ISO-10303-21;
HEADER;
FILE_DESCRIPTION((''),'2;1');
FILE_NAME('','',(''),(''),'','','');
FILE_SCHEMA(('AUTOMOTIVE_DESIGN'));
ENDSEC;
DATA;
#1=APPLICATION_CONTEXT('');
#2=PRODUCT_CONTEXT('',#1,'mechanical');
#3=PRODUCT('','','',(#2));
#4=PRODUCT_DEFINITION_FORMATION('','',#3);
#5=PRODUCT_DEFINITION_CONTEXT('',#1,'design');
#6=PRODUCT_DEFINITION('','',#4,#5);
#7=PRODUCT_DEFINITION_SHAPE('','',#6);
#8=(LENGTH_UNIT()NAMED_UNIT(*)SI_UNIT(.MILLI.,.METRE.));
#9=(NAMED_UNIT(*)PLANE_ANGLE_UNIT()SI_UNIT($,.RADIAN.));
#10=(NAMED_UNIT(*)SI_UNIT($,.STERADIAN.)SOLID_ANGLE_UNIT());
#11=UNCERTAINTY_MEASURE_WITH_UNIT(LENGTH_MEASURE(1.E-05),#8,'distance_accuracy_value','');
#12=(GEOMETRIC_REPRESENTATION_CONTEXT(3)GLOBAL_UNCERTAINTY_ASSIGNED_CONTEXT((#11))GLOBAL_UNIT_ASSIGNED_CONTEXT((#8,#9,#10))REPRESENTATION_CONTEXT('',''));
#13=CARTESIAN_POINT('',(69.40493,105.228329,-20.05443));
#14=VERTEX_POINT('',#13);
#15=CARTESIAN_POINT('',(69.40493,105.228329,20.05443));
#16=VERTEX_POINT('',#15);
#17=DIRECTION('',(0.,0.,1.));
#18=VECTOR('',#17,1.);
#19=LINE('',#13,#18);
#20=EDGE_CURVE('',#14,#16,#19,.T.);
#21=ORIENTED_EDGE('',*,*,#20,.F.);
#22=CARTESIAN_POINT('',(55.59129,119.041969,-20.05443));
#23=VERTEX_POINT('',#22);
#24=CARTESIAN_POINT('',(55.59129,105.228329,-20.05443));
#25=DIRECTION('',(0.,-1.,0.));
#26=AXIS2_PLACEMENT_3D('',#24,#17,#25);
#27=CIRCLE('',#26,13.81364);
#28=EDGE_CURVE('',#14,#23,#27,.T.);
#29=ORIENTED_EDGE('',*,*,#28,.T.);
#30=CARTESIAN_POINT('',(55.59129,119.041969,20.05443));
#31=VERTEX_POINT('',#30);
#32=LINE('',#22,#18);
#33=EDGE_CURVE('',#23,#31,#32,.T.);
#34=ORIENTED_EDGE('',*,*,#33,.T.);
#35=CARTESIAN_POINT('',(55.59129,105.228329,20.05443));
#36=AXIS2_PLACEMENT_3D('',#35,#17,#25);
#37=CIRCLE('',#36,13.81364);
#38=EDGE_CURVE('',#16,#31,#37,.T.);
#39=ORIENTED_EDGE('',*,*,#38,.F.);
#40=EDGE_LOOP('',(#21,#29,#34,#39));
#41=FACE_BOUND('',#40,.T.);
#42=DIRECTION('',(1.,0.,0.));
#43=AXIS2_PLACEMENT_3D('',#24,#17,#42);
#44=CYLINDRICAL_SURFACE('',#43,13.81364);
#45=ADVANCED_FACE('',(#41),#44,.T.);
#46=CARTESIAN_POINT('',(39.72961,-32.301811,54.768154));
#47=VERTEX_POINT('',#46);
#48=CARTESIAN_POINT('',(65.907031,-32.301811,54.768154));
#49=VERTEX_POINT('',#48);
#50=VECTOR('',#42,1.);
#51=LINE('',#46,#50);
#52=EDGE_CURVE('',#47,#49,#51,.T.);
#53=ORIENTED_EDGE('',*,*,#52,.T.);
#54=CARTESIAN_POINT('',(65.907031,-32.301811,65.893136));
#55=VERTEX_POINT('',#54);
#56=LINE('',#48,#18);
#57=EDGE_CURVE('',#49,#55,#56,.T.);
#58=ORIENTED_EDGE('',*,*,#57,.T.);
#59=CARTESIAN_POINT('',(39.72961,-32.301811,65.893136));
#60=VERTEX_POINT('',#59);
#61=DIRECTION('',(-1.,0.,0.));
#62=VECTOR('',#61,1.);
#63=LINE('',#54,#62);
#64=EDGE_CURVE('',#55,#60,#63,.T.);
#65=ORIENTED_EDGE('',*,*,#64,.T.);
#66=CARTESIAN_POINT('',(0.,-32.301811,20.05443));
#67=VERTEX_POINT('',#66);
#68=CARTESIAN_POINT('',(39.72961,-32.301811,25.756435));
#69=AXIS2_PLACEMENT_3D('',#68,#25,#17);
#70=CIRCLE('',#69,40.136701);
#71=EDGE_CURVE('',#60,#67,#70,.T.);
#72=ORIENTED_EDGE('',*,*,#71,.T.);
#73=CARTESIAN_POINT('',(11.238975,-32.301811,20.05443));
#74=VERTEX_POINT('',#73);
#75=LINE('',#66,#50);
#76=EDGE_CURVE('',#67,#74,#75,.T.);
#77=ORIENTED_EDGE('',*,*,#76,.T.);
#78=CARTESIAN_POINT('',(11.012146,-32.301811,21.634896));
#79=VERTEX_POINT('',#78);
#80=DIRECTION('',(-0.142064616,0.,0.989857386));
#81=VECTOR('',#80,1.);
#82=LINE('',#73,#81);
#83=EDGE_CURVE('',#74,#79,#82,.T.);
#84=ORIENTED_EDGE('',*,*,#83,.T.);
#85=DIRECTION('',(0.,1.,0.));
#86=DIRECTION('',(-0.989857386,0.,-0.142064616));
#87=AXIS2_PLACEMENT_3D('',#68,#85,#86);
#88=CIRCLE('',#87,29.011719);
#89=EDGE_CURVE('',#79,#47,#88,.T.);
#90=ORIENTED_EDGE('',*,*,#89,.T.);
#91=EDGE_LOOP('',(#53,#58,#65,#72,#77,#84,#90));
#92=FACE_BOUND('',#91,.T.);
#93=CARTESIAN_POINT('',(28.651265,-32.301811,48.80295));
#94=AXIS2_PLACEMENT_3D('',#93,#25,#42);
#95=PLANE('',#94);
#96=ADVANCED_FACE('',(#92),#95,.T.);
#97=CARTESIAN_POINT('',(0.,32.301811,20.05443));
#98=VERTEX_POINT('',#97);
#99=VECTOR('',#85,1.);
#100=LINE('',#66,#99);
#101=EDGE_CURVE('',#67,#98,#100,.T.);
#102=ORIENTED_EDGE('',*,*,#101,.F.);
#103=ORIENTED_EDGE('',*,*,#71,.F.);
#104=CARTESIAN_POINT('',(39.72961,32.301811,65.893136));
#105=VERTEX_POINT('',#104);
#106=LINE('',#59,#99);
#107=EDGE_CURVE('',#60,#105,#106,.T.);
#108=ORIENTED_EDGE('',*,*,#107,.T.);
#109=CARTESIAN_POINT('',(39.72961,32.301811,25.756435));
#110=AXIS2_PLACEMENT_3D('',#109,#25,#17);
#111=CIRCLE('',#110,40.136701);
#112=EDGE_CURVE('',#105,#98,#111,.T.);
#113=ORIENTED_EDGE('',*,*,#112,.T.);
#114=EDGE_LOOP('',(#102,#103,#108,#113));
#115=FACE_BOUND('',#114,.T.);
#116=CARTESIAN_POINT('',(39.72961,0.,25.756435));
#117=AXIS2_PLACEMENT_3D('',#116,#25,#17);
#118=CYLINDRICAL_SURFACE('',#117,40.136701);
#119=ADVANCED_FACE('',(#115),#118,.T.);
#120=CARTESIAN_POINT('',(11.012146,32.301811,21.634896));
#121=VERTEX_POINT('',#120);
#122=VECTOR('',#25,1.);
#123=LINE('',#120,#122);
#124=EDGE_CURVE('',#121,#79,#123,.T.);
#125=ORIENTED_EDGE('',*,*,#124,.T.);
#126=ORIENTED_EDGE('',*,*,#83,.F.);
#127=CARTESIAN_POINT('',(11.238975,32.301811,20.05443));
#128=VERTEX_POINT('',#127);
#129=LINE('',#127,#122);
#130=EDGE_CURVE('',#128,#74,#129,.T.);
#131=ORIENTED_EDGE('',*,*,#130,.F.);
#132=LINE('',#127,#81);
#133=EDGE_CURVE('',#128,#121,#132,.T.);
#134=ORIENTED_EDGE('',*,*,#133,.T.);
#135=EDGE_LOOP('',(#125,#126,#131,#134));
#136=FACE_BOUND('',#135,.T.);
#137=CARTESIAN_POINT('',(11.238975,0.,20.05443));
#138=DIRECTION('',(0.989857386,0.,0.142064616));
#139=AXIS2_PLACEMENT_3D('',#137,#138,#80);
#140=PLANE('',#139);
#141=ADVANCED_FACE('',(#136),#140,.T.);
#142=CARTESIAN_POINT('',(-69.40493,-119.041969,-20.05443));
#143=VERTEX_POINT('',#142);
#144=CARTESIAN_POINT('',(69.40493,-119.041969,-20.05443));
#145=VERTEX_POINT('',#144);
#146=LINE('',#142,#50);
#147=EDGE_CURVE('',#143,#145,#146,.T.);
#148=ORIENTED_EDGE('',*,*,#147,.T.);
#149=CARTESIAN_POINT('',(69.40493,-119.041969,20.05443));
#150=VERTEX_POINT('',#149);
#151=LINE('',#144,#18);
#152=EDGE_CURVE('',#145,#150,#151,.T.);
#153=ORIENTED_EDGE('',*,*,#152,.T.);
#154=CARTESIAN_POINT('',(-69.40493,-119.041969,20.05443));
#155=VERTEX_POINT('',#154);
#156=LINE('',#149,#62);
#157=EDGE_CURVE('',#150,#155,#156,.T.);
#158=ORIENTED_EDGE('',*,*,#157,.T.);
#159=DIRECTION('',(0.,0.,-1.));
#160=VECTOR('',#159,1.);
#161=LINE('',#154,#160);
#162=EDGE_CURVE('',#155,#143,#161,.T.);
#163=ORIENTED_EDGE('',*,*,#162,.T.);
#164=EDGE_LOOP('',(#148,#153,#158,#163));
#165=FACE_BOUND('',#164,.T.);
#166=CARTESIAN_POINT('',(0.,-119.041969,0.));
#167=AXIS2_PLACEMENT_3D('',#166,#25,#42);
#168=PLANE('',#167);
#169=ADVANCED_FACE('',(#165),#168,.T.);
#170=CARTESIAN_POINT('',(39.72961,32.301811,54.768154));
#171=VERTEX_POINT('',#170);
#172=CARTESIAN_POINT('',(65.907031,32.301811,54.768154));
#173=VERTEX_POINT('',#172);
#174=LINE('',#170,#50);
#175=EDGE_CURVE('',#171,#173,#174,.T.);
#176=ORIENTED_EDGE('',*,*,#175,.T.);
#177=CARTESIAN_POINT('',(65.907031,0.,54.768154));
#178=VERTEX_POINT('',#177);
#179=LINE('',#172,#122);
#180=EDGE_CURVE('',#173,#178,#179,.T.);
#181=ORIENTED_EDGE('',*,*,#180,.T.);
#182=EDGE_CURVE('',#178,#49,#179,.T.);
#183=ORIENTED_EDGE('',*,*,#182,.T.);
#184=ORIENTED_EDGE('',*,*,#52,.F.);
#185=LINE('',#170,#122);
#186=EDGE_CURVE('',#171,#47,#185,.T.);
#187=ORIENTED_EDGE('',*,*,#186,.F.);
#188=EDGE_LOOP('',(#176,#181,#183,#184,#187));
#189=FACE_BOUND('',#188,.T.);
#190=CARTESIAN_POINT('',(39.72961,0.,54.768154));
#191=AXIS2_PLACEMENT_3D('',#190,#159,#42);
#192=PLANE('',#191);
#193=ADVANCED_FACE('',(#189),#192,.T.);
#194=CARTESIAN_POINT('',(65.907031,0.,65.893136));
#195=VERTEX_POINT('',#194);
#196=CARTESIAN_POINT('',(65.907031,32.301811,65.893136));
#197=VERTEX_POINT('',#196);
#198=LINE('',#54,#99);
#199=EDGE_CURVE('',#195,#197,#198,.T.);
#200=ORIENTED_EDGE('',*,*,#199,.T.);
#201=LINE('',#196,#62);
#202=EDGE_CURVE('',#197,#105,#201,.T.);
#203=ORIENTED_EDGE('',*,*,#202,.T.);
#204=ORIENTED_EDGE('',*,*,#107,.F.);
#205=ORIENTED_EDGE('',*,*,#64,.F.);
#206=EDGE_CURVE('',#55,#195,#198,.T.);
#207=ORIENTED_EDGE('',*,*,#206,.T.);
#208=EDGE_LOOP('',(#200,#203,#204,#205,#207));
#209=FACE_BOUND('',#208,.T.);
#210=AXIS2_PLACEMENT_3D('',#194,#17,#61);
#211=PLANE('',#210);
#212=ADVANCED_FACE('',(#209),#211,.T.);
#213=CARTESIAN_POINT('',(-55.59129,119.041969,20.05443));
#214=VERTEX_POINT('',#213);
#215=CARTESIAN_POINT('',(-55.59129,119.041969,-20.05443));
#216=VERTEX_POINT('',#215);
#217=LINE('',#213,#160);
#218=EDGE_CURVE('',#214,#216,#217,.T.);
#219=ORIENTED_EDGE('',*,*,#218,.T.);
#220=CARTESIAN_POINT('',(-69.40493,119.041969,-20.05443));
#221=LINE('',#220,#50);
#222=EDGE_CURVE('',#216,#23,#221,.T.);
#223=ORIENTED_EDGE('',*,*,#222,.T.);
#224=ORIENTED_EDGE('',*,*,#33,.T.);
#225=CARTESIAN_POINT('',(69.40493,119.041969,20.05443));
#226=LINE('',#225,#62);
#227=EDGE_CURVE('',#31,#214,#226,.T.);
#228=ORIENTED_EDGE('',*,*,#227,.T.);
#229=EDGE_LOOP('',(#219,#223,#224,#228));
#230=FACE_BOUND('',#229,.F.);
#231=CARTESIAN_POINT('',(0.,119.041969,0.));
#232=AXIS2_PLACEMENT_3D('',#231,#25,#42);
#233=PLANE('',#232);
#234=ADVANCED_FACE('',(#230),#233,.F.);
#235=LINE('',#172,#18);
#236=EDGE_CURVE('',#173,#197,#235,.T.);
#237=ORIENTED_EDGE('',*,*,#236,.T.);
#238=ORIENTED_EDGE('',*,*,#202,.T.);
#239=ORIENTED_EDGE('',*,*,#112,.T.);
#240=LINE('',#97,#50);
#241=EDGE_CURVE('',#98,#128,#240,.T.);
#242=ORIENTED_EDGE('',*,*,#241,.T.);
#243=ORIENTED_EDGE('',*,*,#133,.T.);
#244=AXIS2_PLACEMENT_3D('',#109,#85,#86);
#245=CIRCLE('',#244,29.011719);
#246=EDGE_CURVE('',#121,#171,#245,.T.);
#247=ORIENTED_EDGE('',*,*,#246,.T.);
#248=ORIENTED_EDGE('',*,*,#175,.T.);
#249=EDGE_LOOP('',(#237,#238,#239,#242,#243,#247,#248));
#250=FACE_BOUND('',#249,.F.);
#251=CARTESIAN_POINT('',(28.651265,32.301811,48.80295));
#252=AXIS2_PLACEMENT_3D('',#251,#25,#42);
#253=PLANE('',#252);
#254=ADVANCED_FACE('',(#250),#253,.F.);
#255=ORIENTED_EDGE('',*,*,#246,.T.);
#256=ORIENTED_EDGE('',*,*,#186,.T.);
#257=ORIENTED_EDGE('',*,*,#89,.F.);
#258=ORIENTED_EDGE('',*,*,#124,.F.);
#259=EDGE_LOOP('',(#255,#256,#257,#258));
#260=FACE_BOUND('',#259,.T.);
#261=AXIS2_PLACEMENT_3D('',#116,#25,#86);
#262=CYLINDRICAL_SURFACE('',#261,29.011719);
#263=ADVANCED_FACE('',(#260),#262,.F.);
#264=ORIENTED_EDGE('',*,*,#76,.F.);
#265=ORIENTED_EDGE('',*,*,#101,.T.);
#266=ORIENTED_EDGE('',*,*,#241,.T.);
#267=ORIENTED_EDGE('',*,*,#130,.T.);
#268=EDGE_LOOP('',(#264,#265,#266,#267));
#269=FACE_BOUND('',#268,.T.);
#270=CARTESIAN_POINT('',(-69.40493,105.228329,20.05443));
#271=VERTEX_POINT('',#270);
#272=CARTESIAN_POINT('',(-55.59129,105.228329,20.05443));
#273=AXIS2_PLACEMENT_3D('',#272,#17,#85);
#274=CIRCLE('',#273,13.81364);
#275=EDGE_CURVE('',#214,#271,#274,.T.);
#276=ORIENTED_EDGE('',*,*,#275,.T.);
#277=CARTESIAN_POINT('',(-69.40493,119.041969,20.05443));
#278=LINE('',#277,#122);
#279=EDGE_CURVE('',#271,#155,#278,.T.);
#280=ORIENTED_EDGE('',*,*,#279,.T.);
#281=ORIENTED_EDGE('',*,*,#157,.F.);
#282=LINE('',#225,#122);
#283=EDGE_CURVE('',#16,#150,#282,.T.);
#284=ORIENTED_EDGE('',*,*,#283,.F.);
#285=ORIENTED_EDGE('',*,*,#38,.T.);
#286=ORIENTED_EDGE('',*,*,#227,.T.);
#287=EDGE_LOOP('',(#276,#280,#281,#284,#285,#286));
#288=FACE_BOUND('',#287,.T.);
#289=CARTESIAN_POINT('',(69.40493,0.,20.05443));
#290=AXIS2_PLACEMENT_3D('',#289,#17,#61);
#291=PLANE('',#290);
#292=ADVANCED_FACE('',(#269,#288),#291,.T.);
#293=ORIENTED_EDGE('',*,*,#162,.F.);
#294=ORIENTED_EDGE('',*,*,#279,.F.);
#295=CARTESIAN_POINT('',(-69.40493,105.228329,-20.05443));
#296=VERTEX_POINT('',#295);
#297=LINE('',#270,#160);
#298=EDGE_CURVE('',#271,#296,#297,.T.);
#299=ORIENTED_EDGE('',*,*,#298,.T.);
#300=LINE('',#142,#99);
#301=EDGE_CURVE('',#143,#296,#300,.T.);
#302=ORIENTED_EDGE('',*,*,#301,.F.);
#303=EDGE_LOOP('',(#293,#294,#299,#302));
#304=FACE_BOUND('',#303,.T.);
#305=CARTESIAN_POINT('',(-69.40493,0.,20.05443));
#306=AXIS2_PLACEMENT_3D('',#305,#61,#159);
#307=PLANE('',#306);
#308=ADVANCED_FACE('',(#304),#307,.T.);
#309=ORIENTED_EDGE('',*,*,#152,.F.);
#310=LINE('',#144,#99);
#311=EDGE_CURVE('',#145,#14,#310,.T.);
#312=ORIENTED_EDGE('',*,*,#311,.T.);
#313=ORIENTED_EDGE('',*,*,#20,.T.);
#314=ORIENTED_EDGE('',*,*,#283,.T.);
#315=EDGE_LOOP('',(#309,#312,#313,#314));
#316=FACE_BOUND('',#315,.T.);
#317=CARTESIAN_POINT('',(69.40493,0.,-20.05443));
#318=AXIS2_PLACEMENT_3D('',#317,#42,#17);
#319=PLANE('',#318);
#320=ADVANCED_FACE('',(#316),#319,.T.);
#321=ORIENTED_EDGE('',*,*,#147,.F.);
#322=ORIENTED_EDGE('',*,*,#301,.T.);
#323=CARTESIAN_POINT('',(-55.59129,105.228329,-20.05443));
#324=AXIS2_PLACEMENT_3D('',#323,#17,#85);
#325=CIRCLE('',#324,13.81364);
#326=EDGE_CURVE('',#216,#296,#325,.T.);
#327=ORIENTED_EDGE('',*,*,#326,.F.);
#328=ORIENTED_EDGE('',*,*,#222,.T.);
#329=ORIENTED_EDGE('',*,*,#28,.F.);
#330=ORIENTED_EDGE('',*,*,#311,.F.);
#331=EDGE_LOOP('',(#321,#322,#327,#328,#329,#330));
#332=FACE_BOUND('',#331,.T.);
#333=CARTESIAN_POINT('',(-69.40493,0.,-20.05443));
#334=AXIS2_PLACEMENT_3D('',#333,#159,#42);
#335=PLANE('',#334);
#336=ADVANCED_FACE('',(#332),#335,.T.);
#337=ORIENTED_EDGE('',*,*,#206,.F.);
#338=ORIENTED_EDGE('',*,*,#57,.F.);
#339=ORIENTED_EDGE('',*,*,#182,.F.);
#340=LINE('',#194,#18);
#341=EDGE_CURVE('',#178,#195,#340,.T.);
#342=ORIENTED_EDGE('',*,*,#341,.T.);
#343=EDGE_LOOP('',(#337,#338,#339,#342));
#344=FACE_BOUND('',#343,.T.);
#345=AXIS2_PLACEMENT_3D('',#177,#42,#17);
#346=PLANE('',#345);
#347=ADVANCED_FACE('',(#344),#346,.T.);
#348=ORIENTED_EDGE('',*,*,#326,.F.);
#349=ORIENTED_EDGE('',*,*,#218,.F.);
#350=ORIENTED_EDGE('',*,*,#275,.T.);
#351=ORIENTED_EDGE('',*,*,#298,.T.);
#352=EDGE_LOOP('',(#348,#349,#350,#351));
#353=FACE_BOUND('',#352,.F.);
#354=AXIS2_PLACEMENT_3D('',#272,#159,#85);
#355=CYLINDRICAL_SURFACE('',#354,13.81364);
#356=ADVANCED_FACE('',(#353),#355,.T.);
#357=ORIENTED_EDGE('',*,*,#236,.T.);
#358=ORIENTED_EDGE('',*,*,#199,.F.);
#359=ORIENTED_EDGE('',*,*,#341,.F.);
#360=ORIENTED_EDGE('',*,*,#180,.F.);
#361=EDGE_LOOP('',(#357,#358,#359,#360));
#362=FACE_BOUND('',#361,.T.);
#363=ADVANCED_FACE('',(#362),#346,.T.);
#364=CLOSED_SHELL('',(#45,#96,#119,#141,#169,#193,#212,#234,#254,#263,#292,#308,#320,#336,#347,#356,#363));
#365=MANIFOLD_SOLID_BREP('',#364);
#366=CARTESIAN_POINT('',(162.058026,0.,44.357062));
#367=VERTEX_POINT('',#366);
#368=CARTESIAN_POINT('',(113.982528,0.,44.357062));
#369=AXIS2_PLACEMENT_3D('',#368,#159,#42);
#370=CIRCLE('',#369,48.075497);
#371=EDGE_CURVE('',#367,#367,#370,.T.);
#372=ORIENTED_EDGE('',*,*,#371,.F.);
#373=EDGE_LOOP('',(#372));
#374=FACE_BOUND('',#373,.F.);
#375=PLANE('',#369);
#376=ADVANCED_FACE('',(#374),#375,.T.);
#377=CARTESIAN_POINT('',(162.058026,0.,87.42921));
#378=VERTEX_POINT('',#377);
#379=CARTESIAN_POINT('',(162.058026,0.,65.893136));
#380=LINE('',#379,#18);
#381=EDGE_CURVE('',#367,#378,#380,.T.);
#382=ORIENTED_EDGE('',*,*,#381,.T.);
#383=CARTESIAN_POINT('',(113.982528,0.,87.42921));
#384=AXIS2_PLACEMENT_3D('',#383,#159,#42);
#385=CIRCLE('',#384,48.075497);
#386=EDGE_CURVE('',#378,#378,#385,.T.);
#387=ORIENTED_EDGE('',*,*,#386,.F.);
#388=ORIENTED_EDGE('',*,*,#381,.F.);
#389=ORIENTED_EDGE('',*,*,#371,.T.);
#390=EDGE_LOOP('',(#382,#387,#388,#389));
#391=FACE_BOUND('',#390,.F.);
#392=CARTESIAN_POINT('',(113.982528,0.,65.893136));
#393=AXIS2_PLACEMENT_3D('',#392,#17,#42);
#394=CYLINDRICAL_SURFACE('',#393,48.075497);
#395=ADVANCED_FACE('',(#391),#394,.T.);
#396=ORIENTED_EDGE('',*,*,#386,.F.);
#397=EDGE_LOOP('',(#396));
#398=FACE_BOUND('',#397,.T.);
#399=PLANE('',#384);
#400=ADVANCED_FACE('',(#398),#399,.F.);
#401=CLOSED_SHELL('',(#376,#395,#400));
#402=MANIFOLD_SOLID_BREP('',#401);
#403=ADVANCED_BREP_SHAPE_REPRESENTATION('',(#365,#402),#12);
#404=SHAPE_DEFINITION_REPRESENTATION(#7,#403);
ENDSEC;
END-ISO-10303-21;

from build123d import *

# Parameters (mm, degrees)
F1_DEPTH = 119.0419690683
F2_DEPTH = 32.3018105701
F0_W     = 48.0754971504
F0_H     = 43.07214856
F4_R     = 13.8136399245


with BuildPart() as f1:
    # F0 (on Front) → F1 (new body, symmetric)
    with BuildSketch(Plane.XZ):
        Polygon((69.4049298763, -20.0544297695), (69.4049298763, 20.0544297695), (11.2389746131, 20.0544297695), (0, 20.0544297695), (-69.4049298763, 20.0544297695), (-69.4049298763, -20.0544297695), align=None)
    extrude(amount=F1_DEPTH, both=True)

    # F0 (on Front) → F2 (join, symmetric)
    with BuildSketch(Plane.XZ):
        with BuildLine():
            Line((0, 20.0544297695), (11.2389746131, 20.0544297695))
            Line((11.2389746131, 20.0544297695), (11.0121456355, 21.6348960729))
            ThreePointArc((11.0121456355, 21.6348960729), (17.806417225, 44.7578416287), (39.7296100855, 54.7681539319))
            Line((39.7296100855, 54.7681539319), (65.9070312977, 54.7681539319))
            Line((65.9070312977, 54.7681539319), (65.9070312977, 65.8931359649))
            Line((65.9070312977, 65.8931359649), (39.7296100855, 65.8931359649))
            ThreePointArc((39.7296100855, 65.8931359649), (9.3996376852, 52.0442181631), (0, 20.0544297695))
        make_face()
    extrude(amount=F2_DEPTH, both=True)

    # F0 (on Front) → F3 (revolve)
    with BuildSketch(Plane.XZ):
        with Locations((138.0202770233, 65.8931359649)):
            Rectangle(F0_W, F0_H)
    revolve(axis=Axis((113.9825284481, 0, 65.8931359649), (0, 0, -1)))

    # F4
    f4_edges = [f1.edges().sort_by_distance(p)[0] for p in [
        (-69.40493, 119.041969, 0),
        (69.40493, 119.041969, 0),
    ]]
    fillet(f4_edges, radius=F4_R)


solid = f1.part
